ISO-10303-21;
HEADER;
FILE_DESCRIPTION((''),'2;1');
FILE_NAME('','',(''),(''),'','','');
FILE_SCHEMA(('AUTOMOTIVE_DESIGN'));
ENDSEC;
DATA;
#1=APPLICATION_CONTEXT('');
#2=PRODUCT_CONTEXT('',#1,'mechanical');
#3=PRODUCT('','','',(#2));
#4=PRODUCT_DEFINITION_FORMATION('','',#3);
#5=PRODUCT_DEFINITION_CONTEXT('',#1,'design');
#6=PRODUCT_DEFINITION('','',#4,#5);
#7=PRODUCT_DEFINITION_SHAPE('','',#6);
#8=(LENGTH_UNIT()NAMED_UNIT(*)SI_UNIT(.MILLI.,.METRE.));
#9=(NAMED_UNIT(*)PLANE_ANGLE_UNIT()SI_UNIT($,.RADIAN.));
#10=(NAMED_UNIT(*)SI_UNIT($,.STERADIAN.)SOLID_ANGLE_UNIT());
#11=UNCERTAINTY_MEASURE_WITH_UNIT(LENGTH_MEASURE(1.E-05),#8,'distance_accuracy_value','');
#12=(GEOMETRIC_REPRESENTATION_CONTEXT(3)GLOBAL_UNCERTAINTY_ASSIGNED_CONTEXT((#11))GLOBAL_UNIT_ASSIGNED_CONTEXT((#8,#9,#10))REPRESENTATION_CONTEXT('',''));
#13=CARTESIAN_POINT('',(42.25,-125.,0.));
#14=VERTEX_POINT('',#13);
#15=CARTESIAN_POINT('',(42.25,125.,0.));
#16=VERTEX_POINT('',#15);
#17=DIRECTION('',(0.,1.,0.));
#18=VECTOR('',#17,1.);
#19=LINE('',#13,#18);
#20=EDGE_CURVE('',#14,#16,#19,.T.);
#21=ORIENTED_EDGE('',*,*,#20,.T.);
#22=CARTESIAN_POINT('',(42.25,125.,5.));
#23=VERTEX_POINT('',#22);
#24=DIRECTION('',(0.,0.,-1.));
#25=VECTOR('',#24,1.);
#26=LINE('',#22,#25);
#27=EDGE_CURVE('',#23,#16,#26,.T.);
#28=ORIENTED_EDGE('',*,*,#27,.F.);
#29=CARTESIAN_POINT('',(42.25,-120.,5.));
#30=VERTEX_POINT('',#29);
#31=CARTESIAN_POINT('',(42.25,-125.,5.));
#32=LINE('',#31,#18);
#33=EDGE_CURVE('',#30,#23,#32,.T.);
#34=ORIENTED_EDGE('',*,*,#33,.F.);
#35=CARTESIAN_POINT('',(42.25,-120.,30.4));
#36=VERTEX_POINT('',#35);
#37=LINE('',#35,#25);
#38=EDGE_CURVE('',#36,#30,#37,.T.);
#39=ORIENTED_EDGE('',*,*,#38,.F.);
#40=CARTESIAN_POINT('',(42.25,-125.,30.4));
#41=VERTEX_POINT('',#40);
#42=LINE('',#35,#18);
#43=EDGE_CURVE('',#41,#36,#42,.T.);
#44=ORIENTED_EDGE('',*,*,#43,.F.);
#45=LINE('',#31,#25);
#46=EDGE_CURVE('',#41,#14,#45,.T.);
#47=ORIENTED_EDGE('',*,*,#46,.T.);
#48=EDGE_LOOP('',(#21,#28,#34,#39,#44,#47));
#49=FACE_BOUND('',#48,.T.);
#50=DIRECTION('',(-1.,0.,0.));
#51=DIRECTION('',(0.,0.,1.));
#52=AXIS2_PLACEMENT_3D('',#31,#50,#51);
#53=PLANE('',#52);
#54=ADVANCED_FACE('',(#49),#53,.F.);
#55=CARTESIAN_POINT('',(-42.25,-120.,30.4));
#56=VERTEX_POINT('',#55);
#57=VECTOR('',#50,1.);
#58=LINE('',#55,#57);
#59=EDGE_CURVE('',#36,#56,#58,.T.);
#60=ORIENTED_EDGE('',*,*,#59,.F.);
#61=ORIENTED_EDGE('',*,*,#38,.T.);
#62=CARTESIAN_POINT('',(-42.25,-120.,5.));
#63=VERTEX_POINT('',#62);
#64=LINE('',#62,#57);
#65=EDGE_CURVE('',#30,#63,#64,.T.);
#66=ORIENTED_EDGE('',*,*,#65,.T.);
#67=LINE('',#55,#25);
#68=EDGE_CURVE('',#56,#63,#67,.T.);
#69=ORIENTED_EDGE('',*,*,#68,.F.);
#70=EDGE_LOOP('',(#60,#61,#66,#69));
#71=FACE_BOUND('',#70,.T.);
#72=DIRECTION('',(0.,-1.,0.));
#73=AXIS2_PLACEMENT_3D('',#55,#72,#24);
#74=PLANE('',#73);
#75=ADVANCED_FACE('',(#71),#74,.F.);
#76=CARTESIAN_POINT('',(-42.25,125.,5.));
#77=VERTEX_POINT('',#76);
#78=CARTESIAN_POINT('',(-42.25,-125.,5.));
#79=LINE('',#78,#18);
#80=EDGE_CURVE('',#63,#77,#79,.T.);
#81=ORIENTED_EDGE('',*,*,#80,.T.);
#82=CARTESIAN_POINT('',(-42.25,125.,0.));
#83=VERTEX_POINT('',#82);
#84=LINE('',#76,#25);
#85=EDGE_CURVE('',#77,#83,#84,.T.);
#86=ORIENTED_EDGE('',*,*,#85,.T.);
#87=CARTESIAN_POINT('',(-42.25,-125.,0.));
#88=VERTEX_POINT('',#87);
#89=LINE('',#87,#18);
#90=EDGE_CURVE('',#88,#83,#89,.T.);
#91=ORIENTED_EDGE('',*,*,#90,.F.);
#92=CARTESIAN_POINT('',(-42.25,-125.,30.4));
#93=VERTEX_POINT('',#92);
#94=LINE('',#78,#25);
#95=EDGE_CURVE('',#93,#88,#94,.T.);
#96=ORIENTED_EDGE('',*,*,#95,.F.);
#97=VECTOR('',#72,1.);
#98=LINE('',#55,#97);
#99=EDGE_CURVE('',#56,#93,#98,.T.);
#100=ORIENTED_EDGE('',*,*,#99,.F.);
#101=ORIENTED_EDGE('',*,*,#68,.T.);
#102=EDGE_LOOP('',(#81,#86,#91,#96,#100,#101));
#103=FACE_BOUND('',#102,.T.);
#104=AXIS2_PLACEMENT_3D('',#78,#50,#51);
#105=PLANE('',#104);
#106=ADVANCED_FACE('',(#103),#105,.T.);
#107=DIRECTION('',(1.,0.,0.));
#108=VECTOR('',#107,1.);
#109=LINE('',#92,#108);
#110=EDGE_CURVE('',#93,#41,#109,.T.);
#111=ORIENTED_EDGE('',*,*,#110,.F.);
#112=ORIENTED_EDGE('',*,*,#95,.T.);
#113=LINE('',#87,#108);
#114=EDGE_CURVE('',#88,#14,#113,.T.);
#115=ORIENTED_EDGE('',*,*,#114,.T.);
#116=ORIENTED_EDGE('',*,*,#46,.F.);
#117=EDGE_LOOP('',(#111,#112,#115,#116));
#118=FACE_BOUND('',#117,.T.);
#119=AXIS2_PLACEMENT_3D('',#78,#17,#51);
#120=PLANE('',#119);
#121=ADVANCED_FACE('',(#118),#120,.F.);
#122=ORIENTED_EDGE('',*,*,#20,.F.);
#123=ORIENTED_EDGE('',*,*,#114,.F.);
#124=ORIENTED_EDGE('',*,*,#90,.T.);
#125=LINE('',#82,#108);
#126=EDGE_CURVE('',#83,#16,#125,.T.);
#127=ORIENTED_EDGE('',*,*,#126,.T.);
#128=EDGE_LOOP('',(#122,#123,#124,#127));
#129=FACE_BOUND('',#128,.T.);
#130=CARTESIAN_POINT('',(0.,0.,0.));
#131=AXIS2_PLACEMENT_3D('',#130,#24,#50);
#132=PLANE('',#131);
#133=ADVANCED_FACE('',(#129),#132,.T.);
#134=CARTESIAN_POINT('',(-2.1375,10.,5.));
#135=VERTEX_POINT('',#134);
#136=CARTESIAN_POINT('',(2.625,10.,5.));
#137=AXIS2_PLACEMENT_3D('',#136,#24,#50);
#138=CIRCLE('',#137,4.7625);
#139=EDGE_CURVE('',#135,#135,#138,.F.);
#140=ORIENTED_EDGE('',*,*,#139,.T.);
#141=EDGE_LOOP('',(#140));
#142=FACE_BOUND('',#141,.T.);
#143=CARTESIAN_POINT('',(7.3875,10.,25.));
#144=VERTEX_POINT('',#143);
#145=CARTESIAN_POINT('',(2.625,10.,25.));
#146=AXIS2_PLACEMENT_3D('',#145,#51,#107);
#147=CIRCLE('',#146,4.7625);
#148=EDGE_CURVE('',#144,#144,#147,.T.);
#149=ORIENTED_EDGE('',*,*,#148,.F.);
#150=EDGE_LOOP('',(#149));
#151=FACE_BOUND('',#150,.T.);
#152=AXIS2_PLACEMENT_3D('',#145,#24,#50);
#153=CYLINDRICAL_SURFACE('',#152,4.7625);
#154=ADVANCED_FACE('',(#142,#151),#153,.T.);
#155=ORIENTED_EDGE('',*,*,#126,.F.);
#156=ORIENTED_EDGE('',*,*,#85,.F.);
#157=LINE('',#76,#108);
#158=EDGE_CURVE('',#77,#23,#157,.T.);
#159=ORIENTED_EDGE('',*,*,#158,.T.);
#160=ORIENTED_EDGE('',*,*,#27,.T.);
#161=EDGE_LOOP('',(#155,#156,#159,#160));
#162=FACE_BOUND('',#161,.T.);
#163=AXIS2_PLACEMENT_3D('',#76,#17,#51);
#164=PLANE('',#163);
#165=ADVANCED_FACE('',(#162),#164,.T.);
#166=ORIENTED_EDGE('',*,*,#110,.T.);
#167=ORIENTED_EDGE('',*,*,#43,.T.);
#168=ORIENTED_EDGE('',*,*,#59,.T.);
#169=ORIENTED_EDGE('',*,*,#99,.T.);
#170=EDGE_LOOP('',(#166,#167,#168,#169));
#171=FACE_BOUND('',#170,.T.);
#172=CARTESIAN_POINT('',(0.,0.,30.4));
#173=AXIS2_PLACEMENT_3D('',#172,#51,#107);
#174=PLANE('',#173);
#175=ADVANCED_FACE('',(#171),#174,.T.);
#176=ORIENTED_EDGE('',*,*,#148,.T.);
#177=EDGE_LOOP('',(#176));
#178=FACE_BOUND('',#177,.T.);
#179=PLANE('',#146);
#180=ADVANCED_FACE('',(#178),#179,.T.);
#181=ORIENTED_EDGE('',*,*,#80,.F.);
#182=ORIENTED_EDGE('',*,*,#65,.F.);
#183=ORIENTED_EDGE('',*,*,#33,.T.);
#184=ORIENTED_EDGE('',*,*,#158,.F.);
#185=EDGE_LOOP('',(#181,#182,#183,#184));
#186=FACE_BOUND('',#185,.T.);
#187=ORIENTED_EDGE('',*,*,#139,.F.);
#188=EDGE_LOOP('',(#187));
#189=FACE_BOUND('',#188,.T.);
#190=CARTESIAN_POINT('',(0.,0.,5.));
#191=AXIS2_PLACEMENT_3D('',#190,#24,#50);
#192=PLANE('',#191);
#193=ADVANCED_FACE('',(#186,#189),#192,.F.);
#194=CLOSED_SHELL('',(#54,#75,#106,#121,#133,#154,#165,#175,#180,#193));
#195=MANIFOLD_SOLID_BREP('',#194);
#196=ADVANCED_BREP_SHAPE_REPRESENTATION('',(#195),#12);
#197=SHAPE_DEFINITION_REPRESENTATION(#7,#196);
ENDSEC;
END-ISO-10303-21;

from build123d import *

# Parameters (mm, degrees)
SKETCH1_W           = 84.5
SKETCH1_H           = 250
BOSS_EXTRUDE1_DEPTH = 5
SKETCH2_W           = 84.5
SKETCH2_H           = 5
BOSS_EXTRUDE2_DEPTH = 25.4
SKETCH3_R           = 4.7625
BOSS_EXTRUDE3_DEPTH = 20


with BuildPart() as part:
    # Sketch1 → Boss-Extrude1 (new body)
    with BuildSketch(Plane.XY):
        Rectangle(SKETCH1_W, SKETCH1_H)
    extrude(amount=BOSS_EXTRUDE1_DEPTH)

    # Sketch2 → Boss-Extrude2 (add)
    with BuildSketch(Plane.XY.offset(5)):
        with Locations((0, -122.5)):
            Rectangle(SKETCH2_W, SKETCH2_H)
    extrude(amount=BOSS_EXTRUDE2_DEPTH)

    # Sketch3 → Boss-Extrude3 (add)
    with BuildSketch(Plane.XY.offset(5)):
        with Locations((2.625, 10)):
            Circle(SKETCH3_R)
    extrude(amount=BOSS_EXTRUDE3_DEPTH)


solid = part.part
